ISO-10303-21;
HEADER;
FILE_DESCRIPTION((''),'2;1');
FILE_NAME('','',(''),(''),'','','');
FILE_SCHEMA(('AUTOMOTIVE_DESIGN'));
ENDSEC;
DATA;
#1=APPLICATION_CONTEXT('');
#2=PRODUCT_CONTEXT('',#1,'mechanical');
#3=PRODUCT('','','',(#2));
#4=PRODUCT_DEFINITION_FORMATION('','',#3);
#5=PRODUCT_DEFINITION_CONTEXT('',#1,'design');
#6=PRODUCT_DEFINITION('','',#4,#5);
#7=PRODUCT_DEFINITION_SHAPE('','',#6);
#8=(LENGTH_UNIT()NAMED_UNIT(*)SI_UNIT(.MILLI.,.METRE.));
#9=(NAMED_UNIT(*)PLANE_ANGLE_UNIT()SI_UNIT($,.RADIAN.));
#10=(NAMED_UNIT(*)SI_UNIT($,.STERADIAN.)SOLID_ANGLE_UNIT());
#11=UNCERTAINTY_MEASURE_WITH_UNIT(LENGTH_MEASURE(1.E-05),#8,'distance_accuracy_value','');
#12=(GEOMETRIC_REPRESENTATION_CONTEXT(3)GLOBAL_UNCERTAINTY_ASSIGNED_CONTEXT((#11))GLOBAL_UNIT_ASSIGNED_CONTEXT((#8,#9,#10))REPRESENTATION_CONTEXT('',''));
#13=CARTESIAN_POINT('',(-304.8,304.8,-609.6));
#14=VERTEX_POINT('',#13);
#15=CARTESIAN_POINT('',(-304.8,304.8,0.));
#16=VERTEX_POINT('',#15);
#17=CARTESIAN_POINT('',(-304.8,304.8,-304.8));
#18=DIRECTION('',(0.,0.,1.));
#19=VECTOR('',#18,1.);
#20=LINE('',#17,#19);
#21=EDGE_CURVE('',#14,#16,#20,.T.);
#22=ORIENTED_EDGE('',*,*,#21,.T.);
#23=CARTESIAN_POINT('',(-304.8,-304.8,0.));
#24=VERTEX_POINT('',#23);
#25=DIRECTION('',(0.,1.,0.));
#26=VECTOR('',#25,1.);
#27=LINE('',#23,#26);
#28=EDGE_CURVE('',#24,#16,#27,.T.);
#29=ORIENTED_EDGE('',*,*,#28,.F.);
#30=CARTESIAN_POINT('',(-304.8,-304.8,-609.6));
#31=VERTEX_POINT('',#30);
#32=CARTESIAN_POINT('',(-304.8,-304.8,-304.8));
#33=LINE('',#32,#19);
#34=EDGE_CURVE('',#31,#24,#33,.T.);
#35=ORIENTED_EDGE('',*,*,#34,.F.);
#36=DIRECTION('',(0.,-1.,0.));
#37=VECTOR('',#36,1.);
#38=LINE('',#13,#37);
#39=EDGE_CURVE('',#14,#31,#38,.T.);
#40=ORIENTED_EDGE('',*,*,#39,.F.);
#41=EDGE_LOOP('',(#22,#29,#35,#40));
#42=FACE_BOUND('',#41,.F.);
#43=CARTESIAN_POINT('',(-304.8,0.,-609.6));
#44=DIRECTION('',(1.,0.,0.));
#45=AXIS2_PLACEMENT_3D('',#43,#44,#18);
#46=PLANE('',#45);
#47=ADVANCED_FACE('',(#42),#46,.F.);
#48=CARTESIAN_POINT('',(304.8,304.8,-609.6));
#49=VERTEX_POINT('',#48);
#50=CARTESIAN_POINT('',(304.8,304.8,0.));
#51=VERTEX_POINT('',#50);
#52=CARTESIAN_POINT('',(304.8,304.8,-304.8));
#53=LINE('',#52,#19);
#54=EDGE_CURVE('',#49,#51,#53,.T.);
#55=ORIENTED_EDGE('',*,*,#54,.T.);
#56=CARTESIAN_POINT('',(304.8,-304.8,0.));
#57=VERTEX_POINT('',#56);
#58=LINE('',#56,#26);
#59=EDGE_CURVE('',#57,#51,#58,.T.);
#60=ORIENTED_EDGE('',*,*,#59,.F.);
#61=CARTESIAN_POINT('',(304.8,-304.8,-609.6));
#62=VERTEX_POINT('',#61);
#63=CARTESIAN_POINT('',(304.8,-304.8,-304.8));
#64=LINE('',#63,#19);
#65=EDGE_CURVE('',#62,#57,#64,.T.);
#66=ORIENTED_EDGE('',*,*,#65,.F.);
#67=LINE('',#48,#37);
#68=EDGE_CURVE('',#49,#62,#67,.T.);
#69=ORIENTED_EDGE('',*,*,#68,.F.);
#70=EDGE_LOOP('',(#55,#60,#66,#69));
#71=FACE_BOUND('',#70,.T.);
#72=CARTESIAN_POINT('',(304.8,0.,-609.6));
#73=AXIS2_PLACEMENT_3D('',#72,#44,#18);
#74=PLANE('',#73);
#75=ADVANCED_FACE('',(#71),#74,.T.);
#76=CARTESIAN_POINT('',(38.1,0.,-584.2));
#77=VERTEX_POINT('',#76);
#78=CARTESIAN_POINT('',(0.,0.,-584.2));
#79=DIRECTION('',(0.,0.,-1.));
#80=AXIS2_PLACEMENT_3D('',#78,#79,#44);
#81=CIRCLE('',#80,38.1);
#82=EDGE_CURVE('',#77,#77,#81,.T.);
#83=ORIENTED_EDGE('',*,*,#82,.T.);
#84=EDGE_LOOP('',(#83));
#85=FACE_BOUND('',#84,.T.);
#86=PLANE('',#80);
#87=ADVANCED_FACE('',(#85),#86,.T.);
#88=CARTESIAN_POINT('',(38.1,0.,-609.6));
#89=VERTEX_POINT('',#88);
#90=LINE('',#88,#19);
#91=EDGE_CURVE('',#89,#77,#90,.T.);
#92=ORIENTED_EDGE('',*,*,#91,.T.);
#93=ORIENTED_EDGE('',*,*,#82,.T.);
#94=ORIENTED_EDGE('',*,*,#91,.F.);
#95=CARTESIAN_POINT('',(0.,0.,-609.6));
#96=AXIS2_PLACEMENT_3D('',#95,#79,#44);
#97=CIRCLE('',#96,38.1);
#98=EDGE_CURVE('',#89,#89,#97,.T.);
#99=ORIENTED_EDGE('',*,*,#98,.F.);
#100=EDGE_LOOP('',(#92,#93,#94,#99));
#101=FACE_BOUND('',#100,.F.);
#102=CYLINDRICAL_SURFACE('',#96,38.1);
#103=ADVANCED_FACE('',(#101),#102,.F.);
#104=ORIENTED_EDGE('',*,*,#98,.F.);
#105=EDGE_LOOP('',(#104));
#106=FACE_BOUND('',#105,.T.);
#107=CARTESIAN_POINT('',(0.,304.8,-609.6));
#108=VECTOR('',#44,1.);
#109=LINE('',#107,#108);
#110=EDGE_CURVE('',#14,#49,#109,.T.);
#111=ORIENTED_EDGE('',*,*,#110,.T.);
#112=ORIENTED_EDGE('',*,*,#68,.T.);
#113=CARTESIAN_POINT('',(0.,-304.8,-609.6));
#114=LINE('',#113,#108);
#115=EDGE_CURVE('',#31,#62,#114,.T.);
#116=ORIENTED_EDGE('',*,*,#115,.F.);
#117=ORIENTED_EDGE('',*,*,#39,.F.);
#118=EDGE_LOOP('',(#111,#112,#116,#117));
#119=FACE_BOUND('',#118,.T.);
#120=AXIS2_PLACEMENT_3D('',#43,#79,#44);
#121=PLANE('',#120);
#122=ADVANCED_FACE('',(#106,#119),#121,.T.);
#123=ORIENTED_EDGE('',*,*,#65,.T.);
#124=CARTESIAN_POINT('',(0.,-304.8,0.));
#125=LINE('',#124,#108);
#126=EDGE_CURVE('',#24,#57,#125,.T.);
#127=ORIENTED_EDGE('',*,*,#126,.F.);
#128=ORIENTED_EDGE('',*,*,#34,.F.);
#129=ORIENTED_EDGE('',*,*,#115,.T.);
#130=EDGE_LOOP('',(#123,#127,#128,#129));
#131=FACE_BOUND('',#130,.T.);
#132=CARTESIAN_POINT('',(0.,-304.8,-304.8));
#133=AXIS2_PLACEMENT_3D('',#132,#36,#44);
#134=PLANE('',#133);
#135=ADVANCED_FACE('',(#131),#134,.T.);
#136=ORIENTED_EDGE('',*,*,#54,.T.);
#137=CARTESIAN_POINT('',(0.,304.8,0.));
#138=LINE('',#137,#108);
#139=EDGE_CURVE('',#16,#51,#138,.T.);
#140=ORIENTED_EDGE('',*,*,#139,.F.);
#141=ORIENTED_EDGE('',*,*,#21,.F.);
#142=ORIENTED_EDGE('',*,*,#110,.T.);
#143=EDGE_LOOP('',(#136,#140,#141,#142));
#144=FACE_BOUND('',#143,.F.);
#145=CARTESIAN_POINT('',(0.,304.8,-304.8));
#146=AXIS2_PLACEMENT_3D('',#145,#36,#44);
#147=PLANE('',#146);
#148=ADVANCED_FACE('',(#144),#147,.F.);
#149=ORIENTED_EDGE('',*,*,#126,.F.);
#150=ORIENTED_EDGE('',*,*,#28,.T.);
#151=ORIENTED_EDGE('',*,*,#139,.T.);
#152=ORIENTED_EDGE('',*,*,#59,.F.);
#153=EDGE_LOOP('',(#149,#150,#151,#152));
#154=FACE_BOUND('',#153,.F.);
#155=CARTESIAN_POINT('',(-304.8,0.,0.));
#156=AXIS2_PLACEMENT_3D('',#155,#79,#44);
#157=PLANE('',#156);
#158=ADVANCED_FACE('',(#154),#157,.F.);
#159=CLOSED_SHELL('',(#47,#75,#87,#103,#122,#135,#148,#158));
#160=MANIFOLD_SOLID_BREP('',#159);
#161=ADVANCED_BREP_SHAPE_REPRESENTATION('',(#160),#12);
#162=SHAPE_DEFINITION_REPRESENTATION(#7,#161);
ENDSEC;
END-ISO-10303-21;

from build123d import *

# Parameters (mm, degrees)
F0_W     = 609.6
F0_H     = 609.6
F1_DEPTH = 304.8
F2_R     = 38.1
F3_DEPTH = 25.4


with BuildPart() as f1:
    # F0 (on Front) → F1 (new body, symmetric)
    with BuildSketch(Plane.XZ):
        with Locations((0, -304.8)):
            Rectangle(F0_W, F0_H)
    extrude(amount=F1_DEPTH, both=True)

    # F2 (on face) → F3 (cut)
    with BuildSketch(Plane(origin=(0, 0, -609.6), x_dir=(1, 0, 0), z_dir=(0, 0, -1))):
        Circle(F2_R)
    extrude(amount=-F3_DEPTH, mode=Mode.SUBTRACT)


solid = f1.part
